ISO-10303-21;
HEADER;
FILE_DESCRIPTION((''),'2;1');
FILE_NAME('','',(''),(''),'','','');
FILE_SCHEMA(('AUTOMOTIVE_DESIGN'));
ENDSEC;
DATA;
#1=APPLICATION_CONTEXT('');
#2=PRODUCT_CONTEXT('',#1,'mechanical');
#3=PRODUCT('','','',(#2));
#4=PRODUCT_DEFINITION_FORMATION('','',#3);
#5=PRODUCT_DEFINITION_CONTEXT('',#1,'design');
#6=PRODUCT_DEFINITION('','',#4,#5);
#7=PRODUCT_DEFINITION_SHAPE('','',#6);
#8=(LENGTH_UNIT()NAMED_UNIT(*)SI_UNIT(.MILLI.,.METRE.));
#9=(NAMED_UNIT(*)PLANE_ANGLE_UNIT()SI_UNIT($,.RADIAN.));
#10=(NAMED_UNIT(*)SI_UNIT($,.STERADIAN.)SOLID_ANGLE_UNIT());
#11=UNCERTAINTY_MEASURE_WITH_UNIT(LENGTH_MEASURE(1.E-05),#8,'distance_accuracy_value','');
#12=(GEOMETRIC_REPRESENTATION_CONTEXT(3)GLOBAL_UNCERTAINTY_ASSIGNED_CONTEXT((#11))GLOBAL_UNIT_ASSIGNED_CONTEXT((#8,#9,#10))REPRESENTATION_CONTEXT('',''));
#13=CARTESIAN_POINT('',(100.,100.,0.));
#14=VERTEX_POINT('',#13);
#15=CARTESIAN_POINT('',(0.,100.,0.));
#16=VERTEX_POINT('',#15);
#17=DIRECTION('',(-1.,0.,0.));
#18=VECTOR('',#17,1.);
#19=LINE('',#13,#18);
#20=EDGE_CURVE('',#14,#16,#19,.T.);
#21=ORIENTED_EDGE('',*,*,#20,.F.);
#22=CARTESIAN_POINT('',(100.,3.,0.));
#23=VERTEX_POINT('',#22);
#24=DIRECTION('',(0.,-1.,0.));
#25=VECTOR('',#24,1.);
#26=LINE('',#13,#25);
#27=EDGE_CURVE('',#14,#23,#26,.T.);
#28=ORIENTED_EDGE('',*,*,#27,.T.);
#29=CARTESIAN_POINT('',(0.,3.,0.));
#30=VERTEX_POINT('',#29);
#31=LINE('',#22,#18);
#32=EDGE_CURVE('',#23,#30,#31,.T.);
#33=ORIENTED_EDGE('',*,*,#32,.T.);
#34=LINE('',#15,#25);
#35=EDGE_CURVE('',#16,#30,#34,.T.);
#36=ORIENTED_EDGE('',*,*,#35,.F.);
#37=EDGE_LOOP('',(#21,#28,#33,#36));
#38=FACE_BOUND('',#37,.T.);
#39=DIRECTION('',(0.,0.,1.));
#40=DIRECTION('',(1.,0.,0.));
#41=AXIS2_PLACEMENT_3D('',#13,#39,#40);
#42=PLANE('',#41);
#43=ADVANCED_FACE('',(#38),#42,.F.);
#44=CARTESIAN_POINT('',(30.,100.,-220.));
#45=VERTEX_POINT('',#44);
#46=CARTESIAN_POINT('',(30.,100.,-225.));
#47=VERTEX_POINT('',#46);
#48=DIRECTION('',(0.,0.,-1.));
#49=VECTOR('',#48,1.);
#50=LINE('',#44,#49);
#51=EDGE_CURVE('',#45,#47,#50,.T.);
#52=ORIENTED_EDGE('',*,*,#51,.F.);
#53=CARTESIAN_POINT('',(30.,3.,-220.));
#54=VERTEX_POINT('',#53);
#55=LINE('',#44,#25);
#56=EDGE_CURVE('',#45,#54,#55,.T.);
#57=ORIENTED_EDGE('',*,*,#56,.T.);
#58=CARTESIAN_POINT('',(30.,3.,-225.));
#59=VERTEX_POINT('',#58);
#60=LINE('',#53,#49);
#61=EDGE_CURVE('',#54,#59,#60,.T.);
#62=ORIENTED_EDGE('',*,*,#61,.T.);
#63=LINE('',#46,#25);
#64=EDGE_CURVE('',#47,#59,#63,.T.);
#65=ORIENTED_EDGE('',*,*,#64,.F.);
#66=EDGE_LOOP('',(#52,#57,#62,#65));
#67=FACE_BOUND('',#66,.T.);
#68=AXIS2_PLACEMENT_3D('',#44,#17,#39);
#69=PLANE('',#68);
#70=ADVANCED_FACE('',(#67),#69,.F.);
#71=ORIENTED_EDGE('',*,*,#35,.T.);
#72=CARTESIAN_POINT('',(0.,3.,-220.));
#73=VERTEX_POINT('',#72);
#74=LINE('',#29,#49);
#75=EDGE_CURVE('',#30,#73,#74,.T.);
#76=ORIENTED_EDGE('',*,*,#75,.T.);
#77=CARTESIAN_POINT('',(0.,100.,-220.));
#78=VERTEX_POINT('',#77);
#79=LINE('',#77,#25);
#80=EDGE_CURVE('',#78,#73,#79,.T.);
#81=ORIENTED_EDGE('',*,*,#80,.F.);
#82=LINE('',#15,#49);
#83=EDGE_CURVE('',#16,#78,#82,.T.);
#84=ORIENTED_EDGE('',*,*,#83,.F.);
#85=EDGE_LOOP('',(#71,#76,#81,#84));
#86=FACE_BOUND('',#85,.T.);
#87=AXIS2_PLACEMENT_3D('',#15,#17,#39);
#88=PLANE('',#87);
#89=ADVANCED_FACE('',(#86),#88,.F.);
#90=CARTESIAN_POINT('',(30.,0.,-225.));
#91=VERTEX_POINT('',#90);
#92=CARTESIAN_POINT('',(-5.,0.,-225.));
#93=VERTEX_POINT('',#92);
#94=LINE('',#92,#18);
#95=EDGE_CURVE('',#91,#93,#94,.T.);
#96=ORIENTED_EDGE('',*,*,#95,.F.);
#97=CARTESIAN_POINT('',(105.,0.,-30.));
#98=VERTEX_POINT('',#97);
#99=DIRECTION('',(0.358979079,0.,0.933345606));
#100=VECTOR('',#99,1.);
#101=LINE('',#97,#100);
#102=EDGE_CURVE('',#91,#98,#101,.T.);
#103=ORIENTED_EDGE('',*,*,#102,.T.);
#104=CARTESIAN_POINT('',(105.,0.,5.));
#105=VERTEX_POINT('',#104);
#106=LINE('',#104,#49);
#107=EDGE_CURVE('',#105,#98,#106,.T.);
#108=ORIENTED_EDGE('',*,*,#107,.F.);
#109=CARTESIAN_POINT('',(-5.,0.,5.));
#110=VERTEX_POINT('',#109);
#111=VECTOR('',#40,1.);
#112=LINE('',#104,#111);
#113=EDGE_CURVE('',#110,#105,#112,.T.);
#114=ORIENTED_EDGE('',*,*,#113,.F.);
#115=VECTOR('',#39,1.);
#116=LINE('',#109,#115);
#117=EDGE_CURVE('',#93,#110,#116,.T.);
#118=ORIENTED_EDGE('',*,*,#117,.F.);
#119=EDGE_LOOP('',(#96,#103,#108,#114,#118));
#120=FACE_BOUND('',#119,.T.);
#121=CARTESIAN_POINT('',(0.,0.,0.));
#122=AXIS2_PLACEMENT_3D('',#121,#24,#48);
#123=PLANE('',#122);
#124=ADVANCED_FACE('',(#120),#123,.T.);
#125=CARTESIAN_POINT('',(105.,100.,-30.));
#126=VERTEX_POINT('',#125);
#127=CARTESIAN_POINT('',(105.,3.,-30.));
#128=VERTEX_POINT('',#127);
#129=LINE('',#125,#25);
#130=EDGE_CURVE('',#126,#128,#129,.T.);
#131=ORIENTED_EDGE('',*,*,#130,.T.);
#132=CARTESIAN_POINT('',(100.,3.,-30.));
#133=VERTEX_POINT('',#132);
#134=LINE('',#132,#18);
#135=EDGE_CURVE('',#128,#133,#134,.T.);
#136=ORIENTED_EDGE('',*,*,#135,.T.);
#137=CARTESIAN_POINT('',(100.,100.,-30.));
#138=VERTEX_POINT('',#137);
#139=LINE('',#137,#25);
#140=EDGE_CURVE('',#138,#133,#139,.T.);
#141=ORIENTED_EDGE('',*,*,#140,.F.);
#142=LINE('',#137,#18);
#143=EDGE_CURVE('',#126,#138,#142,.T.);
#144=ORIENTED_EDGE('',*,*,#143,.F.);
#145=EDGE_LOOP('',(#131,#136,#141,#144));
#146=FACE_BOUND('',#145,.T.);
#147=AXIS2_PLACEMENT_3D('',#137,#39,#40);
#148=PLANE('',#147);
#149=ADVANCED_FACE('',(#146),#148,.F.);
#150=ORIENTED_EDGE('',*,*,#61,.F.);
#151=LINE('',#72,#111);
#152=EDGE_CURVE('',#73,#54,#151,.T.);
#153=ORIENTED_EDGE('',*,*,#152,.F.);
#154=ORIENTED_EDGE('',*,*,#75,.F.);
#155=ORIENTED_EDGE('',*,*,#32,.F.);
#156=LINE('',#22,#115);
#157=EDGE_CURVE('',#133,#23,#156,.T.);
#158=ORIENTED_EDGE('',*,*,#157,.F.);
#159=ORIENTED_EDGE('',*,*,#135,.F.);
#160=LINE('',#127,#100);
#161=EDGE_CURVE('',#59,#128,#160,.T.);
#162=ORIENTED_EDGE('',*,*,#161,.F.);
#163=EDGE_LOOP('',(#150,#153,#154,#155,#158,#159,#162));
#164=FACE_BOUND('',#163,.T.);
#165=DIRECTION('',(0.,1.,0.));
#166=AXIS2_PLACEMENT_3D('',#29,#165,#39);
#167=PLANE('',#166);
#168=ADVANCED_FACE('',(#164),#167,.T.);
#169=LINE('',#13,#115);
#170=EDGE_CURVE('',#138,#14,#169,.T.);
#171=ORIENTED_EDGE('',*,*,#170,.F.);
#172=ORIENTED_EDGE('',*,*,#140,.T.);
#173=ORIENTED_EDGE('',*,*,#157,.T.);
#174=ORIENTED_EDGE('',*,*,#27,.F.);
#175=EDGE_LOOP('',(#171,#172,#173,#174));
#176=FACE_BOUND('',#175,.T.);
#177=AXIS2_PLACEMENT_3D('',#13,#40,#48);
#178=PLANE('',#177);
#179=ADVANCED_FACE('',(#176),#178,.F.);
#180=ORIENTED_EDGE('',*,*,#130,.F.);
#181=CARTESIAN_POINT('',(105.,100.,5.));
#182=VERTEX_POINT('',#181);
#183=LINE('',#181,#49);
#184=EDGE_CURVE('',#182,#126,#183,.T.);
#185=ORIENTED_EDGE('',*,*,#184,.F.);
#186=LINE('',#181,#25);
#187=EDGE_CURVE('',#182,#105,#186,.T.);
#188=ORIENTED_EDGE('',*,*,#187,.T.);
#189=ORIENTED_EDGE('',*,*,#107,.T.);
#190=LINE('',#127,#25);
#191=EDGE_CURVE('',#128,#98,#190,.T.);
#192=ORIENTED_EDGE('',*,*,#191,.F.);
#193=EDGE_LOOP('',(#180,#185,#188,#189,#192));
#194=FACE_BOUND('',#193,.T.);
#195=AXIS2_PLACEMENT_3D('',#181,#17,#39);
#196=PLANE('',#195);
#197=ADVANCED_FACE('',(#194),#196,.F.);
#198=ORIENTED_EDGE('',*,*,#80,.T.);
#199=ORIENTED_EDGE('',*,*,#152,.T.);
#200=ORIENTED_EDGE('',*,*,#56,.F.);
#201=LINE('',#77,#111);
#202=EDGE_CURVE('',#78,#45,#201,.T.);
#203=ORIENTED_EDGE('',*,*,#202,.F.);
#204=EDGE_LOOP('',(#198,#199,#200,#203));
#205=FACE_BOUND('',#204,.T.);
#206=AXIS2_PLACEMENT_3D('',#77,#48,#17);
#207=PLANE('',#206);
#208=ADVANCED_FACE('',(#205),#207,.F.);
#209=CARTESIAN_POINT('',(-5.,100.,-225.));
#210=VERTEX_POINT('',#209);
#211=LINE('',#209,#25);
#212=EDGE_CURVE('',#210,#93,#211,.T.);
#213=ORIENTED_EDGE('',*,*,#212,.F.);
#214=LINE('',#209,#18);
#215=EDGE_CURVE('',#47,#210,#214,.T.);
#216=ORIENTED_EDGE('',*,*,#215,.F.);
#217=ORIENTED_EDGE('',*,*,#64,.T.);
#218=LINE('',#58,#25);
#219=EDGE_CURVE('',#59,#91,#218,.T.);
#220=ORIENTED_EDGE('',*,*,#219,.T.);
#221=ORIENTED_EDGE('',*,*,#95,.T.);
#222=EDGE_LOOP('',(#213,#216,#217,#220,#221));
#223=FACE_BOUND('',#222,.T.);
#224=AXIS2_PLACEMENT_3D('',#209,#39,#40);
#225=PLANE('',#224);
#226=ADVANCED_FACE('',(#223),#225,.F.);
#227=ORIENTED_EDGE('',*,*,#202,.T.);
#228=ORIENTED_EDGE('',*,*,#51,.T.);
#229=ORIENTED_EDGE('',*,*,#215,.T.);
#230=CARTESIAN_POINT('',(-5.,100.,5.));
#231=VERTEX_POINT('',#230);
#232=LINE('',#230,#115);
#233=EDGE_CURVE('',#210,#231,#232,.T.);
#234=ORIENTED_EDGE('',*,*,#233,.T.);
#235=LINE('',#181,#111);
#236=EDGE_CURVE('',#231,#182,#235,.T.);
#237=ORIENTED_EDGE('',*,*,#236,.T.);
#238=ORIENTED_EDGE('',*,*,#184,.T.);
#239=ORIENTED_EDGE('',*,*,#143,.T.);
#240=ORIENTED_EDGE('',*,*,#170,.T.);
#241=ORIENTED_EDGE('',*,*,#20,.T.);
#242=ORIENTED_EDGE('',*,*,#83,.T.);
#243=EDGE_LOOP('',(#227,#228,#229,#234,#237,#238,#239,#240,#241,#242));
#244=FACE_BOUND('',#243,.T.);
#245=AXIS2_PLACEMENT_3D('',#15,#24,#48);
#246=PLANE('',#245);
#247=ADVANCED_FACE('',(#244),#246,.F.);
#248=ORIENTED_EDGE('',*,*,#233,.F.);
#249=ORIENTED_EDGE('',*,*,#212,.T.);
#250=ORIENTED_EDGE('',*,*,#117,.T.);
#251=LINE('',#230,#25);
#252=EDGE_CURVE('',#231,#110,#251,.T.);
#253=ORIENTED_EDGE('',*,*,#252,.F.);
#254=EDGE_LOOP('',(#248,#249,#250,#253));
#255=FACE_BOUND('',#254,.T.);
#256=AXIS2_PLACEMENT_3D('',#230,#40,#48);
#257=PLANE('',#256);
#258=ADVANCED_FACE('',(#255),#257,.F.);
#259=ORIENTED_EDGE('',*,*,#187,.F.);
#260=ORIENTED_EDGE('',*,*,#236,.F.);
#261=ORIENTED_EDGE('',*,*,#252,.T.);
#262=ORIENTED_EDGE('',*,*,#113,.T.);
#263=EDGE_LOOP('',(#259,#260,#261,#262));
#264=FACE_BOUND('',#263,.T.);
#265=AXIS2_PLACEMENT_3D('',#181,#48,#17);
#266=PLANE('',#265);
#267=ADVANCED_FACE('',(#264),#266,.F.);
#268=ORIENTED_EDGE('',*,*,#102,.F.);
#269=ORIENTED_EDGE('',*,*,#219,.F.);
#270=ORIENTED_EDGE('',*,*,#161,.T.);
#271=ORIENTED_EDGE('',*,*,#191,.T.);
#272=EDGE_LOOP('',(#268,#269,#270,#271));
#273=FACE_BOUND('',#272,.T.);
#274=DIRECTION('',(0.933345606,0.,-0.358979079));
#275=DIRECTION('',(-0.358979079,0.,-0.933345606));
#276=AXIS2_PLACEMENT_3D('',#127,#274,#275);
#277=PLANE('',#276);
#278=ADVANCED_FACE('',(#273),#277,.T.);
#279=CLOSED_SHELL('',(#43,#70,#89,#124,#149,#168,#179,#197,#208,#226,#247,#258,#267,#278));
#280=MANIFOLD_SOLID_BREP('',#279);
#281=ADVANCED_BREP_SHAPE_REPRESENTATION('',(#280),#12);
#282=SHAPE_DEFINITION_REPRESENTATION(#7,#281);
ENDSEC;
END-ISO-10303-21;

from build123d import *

# Parameters (mm, degrees)
ESTRUSIONE_ESTRUSIONE1_DEPTH = 100
ESTRUSIONE_ESTRUSIONE2_DEPTH = 3


with BuildPart() as part:
    # Schizzo1 → Estrusione-Estrusione1 (new body)
    with BuildSketch(Plane(origin=(0, 0, 0), x_dir=(1, 0, 0), z_dir=(0, 1, 0))):
        Polygon((100, 0), (0, 0), (0, 220), (30, 220), (30, 225), (-5, 225), (-5, -5), (105, -5), (105, 30), (100, 30), align=None)
    extrude(amount=ESTRUSIONE_ESTRUSIONE1_DEPTH)

    # Schizzo2 → Estrusione-Estrusione2 (add)
    with BuildSketch(Plane.XZ):
        Polygon((30, -225), (-5, -225), (-5, 5), (105, 5), (105, -30), align=None)
    extrude(amount=-ESTRUSIONE_ESTRUSIONE2_DEPTH)


solid = part.part
